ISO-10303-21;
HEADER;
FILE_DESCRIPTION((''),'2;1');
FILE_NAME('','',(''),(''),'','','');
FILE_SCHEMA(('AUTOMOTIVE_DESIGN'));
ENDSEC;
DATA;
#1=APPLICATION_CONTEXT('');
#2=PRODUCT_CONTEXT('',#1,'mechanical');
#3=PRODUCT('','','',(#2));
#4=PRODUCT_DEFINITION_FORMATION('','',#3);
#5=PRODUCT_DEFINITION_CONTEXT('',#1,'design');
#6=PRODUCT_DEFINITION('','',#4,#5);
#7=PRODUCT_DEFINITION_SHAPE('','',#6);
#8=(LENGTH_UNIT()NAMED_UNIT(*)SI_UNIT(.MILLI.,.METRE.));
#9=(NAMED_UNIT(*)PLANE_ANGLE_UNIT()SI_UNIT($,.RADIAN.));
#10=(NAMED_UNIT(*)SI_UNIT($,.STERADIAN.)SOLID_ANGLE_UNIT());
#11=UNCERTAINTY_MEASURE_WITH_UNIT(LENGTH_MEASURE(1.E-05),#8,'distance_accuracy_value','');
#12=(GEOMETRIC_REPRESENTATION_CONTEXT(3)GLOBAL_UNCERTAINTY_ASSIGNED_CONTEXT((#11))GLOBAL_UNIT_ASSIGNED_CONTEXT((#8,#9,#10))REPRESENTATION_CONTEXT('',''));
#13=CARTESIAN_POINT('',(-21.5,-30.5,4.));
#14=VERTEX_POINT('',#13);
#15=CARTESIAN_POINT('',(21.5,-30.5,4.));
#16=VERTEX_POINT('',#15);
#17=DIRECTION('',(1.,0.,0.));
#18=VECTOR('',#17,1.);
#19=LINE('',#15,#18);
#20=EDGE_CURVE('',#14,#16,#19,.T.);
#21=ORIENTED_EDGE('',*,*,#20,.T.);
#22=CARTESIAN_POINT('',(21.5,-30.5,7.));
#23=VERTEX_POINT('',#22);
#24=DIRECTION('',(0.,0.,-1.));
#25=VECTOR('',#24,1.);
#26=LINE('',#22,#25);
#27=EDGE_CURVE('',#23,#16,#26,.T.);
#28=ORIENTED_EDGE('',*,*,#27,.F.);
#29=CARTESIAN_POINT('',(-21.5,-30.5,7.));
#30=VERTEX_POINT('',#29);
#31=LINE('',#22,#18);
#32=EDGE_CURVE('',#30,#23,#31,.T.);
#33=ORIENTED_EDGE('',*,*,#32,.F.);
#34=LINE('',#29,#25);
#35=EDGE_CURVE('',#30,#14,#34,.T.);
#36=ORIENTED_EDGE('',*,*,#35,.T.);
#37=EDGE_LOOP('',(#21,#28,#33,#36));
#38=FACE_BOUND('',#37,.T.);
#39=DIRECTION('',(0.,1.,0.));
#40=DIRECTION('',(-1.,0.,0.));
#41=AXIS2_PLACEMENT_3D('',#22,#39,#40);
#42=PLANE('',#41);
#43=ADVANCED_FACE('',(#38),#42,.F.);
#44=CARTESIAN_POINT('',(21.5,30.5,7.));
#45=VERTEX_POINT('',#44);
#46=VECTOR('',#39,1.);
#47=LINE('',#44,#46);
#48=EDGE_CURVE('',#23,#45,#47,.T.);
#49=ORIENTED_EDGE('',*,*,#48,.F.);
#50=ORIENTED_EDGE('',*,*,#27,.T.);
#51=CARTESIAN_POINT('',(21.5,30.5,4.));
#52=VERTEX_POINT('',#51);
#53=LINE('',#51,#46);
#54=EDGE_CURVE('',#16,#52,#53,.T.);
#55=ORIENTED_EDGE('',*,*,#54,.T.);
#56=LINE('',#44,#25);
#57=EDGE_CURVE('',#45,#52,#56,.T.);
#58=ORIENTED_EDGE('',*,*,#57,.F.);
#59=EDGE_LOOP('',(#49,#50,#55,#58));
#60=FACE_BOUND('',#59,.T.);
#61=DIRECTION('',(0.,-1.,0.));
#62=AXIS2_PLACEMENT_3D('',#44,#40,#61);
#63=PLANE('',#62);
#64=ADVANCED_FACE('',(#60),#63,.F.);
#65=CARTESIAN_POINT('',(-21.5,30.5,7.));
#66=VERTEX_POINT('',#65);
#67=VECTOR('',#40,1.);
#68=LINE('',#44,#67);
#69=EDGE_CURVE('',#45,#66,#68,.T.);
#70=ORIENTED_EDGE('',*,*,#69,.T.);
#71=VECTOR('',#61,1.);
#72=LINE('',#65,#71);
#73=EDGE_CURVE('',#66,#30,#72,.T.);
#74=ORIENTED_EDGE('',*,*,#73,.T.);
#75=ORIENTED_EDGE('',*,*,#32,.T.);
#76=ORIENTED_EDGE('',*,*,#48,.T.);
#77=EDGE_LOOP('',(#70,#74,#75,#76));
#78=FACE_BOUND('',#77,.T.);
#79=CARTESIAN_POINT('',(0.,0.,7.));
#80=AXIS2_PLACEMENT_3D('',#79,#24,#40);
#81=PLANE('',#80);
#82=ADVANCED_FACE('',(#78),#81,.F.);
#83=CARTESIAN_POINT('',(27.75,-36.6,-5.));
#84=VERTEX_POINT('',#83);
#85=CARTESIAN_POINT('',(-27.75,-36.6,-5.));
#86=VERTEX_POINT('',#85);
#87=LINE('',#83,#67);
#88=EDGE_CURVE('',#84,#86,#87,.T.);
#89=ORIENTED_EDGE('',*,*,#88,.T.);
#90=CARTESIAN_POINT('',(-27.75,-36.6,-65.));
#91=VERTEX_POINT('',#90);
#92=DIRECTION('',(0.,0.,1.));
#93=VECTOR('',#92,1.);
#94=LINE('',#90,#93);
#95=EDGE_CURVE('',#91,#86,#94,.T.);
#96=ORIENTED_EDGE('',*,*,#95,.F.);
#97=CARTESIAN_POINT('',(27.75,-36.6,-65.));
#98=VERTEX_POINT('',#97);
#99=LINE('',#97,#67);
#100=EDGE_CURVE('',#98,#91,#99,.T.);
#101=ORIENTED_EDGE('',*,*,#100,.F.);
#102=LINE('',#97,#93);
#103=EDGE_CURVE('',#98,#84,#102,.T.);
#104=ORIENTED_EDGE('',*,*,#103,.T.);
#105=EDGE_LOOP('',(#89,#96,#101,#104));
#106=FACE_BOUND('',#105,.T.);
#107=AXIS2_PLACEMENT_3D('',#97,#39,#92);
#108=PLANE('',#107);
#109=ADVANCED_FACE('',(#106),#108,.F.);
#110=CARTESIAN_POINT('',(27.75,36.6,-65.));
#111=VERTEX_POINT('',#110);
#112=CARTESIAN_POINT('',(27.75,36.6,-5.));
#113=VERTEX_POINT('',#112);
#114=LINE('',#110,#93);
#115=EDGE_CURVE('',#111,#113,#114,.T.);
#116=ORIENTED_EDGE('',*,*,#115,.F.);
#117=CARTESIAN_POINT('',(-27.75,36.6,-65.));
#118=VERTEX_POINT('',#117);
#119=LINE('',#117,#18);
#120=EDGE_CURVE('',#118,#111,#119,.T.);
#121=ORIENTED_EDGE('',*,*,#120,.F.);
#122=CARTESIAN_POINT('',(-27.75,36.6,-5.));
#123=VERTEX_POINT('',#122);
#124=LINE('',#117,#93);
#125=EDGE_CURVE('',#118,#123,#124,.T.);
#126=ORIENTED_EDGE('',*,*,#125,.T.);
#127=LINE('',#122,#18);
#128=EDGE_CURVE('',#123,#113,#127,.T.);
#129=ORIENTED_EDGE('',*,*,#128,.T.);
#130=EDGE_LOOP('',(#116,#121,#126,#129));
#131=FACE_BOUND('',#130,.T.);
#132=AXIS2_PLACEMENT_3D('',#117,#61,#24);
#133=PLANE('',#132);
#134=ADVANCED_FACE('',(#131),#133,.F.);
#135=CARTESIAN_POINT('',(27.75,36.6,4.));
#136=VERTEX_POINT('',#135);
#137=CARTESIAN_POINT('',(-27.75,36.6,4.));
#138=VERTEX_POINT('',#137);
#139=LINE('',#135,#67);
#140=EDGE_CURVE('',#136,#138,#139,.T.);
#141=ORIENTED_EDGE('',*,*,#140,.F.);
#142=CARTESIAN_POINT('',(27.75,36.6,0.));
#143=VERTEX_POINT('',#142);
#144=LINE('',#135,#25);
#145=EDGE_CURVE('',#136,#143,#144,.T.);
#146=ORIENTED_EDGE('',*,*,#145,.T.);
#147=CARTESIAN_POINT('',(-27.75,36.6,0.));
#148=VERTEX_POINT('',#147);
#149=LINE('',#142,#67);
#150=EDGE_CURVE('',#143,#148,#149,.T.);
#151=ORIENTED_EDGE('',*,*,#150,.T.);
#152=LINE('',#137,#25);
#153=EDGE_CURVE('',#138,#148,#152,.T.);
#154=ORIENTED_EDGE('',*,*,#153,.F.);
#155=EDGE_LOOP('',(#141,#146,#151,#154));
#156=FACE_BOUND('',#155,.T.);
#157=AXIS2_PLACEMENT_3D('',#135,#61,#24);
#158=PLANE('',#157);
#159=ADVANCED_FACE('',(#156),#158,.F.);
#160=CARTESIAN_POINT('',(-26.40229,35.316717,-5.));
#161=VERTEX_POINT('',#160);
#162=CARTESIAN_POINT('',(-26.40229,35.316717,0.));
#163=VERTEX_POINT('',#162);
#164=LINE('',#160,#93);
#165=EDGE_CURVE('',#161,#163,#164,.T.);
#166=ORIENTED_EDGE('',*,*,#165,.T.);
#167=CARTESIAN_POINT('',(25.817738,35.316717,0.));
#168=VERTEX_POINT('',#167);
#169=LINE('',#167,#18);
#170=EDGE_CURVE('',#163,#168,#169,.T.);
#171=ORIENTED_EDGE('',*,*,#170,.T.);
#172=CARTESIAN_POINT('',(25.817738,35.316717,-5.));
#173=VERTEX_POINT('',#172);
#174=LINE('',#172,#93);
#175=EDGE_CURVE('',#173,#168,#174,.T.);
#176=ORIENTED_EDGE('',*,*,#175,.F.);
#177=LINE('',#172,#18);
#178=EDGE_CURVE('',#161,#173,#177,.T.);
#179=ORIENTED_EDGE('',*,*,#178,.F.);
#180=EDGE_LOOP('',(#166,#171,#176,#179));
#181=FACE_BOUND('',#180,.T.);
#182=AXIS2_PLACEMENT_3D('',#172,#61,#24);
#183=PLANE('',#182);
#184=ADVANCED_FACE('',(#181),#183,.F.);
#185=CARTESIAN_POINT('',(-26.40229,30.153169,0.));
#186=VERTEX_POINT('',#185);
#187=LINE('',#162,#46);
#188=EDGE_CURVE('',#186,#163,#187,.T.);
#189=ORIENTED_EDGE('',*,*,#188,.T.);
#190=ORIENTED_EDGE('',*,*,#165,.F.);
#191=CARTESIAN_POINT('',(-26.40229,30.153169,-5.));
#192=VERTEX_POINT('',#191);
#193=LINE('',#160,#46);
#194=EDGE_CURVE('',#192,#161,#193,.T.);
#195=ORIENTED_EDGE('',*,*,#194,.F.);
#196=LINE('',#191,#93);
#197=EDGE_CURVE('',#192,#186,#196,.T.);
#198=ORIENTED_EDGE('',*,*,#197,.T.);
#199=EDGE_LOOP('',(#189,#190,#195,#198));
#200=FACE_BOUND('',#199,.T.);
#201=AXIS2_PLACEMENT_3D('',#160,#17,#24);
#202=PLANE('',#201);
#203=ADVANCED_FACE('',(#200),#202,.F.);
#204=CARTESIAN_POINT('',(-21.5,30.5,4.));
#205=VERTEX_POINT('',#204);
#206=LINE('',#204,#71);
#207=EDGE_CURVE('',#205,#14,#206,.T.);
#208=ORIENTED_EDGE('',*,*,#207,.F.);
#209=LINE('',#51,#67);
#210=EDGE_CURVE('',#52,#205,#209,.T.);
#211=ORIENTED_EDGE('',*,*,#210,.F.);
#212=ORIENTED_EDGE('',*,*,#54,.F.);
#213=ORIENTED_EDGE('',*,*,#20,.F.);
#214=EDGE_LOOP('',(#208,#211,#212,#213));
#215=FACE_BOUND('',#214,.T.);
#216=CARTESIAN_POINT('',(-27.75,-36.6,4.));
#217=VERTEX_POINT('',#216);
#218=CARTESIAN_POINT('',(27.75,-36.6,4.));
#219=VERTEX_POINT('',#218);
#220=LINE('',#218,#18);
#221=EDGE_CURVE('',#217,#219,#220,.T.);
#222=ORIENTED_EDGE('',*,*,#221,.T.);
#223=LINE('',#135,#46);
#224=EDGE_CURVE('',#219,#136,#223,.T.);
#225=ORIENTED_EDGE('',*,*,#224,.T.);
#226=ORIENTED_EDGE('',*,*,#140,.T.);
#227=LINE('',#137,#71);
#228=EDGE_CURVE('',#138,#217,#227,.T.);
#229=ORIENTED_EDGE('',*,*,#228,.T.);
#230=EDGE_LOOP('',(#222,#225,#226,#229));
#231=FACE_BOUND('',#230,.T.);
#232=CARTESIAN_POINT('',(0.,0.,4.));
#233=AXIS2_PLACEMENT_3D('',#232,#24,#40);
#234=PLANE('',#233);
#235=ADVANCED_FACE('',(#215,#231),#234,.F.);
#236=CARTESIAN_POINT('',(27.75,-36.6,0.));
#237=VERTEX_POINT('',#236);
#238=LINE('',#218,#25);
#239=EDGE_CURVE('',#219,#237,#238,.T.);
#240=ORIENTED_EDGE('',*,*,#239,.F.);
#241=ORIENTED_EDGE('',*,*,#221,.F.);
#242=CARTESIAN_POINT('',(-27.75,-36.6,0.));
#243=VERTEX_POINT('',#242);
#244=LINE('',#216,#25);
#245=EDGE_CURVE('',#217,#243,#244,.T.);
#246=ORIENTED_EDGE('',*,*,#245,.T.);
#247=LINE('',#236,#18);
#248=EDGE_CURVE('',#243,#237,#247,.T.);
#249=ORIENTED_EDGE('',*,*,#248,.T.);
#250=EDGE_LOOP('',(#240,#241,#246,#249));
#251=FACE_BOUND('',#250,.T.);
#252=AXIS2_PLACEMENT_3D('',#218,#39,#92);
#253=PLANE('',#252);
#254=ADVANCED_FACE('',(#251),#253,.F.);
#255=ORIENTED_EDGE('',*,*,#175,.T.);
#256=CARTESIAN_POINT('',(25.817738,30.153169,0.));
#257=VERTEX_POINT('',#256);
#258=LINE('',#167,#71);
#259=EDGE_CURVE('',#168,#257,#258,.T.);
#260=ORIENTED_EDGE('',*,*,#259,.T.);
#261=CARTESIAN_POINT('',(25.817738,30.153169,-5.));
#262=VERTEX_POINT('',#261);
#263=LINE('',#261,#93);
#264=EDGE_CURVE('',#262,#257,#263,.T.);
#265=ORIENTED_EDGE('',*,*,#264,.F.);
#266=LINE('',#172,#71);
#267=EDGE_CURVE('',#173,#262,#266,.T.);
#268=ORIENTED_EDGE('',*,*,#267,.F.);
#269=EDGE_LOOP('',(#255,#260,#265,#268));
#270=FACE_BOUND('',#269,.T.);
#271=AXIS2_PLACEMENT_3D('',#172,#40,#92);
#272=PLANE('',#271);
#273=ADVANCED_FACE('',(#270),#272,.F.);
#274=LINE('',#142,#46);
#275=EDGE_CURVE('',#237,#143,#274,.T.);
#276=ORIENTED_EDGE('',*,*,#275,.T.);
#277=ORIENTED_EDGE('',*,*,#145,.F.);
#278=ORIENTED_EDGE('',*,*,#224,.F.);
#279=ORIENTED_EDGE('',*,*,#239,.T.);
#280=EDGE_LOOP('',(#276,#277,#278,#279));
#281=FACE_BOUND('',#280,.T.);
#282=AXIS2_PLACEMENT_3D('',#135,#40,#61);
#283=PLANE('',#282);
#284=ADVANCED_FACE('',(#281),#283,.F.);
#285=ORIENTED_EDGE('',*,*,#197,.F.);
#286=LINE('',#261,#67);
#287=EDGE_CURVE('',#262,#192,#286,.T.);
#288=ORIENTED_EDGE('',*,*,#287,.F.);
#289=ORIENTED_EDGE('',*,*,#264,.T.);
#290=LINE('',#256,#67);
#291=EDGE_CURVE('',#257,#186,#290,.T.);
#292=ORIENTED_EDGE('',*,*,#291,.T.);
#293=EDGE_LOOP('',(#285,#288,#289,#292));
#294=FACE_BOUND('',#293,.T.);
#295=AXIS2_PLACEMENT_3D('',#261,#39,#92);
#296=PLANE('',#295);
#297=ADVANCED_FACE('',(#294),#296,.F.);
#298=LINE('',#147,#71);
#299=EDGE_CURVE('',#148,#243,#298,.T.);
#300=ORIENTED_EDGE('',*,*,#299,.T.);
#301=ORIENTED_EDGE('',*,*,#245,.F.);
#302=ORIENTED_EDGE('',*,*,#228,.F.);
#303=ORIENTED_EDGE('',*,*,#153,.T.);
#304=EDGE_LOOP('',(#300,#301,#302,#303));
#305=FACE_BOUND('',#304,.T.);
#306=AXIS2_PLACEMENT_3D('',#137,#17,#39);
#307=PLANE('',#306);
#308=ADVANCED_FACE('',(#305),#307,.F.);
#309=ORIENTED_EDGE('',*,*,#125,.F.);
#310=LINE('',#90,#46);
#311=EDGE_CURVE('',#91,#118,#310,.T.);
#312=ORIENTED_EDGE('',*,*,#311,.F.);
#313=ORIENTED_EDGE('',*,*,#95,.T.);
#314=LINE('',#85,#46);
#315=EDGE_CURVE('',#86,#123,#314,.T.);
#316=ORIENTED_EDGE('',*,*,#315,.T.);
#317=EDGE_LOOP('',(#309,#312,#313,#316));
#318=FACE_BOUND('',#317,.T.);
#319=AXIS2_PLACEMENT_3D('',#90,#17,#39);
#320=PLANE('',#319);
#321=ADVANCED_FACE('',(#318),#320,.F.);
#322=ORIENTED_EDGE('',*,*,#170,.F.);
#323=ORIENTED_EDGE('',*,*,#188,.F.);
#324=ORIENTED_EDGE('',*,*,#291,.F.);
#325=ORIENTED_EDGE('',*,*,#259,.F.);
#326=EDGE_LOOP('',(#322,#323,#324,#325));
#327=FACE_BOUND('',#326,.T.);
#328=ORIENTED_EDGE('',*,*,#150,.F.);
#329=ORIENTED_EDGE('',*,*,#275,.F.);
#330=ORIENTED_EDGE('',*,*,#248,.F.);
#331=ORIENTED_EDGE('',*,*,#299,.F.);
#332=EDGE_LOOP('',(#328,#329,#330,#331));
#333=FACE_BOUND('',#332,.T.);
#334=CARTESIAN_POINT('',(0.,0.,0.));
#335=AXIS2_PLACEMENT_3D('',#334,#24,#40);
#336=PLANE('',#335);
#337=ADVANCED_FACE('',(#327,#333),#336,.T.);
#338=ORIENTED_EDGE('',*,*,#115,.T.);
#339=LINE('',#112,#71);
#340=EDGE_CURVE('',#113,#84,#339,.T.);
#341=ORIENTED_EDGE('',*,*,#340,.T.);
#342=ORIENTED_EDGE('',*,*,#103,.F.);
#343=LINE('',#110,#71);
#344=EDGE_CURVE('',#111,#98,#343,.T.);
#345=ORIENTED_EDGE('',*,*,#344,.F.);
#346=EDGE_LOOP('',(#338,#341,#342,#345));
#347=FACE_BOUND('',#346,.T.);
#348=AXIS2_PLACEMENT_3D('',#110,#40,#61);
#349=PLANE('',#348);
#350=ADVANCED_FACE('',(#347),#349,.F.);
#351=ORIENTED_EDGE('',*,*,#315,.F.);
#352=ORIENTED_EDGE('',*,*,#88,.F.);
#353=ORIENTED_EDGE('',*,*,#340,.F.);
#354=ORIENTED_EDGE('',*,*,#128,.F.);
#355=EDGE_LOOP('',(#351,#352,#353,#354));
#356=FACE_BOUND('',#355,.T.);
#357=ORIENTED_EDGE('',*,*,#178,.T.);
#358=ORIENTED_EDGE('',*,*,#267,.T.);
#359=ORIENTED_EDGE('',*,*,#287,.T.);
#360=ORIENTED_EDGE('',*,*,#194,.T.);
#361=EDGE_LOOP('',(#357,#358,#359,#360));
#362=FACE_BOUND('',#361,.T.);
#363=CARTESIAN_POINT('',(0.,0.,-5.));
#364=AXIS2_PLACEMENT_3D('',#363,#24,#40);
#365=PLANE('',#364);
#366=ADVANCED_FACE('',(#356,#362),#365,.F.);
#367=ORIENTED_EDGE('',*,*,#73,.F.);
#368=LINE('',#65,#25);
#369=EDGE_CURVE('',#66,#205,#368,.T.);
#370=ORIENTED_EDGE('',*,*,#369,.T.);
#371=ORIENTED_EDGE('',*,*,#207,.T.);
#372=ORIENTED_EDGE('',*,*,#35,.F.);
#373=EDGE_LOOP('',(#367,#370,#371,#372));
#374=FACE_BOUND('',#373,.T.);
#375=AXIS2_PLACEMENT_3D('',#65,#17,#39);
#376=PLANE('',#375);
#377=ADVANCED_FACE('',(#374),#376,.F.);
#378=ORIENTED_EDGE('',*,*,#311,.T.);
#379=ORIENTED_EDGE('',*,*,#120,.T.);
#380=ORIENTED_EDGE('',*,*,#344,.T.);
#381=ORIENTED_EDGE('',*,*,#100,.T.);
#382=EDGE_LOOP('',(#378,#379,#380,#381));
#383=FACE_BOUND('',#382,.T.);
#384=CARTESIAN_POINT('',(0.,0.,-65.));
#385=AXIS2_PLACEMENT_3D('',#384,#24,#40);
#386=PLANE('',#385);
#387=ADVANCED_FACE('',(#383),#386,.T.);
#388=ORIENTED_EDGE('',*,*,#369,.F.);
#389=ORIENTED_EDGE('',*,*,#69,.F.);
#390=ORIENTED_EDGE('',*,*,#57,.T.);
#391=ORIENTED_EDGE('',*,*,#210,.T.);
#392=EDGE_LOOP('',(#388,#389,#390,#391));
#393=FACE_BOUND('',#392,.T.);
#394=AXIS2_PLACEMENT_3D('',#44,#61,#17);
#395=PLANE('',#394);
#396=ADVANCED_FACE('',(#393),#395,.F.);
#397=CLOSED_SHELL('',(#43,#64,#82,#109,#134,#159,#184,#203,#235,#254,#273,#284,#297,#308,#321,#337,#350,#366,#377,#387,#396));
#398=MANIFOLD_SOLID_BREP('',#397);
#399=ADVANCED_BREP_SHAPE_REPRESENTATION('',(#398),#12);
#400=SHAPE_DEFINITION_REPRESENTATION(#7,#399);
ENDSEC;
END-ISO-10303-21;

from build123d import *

# Parameters (mm, degrees)
SKETCH1_W           = 55.5
SKETCH1_H           = 73.2
BOSS_EXTRUDE1_DEPTH = 4
SKETCH2_W           = 52.220028237
SKETCH2_H           = 5.163547568
BOSS_EXTRUDE2_DEPTH = 5
SKETCH3_W           = 43
SKETCH3_H           = 61
BOSS_EXTRUDE3_DEPTH = 3
SKETCH4_W           = 55.5
SKETCH4_H           = 73.2
BOSS_EXTRUDE4_DEPTH = 60


with BuildPart() as part:
    # Sketch1 → Boss-Extrude1 (new body)
    with BuildSketch(Plane.XY):
        Rectangle(SKETCH1_W, SKETCH1_H)
    extrude(amount=BOSS_EXTRUDE1_DEPTH)

    # Sketch2 → Boss-Extrude2 (add)
    with BuildSketch(Plane(origin=(0, 0, 0), x_dir=(-1, 0, 0), z_dir=(0, 0, -1))):
        with Locations((0.292276277, 32.734943074)):
            Rectangle(SKETCH2_W, SKETCH2_H)
    extrude(amount=BOSS_EXTRUDE2_DEPTH)

    # Sketch3 → Boss-Extrude3 (add)
    with BuildSketch(Plane.XY.offset(4)):
        Rectangle(SKETCH3_W, SKETCH3_H)
    extrude(amount=BOSS_EXTRUDE3_DEPTH)

    # Sketch4 → Boss-Extrude4 (add)
    with BuildSketch(Plane(origin=(0, 0, -5), x_dir=(-1, 0, 0), z_dir=(0, 0, -1))):
        Rectangle(SKETCH4_W, SKETCH4_H)
    extrude(amount=BOSS_EXTRUDE4_DEPTH)


solid = part.part
